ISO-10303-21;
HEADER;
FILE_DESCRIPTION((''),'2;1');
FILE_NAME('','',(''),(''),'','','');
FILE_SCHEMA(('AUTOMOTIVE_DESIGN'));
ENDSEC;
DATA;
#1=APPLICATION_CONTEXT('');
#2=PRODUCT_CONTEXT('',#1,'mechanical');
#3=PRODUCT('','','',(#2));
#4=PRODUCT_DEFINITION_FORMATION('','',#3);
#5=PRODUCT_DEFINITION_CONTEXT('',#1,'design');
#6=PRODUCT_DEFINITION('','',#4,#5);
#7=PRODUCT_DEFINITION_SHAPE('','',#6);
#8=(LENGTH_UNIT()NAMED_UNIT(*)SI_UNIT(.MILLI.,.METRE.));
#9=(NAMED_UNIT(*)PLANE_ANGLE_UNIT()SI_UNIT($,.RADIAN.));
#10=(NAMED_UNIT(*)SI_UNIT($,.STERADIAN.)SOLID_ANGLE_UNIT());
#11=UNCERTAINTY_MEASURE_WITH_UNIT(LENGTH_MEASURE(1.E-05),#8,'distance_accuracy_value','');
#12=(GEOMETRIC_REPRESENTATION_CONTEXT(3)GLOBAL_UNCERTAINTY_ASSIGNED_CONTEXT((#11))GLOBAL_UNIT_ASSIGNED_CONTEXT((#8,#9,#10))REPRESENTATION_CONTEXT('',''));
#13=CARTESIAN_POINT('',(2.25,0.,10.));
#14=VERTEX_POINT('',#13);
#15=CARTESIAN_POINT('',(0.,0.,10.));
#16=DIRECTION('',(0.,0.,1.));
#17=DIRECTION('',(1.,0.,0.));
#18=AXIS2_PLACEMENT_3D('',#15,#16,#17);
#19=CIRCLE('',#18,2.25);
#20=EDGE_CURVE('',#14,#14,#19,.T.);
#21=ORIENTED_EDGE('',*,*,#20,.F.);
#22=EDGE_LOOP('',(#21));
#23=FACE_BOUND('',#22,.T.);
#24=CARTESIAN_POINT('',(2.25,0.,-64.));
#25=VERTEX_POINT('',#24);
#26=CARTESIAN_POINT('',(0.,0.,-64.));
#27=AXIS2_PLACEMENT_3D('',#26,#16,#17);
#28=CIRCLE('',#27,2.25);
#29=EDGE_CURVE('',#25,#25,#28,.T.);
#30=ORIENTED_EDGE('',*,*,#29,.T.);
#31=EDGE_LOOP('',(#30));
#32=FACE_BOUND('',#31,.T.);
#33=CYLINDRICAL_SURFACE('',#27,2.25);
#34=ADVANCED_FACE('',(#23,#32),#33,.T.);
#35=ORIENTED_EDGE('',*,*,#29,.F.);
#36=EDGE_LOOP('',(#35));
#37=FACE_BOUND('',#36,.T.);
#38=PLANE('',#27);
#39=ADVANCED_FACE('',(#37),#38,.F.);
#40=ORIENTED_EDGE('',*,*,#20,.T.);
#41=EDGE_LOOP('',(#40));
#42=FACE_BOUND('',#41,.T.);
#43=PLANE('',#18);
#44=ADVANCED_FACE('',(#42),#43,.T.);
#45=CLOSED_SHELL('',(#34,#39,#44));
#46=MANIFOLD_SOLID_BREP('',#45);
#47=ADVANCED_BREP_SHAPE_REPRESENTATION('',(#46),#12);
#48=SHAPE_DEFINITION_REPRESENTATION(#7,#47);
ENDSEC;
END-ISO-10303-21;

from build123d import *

# Parameters (mm, degrees)
BOSS_EXTRUDE1_DEPTH      = 10
BOSS_EXTRUDE1_DEPTH_BACK = 64
SKETCH1_R                = 2.25


with BuildPart() as part:
    # Sketch1 → Boss-Extrude1 (new, two sides: drawn at the far end of the back side and taken through both)
    with BuildSketch(Plane.XY.offset(-BOSS_EXTRUDE1_DEPTH_BACK)):
        Circle(SKETCH1_R)
    extrude(amount=BOSS_EXTRUDE1_DEPTH + BOSS_EXTRUDE1_DEPTH_BACK)


solid = part.part
